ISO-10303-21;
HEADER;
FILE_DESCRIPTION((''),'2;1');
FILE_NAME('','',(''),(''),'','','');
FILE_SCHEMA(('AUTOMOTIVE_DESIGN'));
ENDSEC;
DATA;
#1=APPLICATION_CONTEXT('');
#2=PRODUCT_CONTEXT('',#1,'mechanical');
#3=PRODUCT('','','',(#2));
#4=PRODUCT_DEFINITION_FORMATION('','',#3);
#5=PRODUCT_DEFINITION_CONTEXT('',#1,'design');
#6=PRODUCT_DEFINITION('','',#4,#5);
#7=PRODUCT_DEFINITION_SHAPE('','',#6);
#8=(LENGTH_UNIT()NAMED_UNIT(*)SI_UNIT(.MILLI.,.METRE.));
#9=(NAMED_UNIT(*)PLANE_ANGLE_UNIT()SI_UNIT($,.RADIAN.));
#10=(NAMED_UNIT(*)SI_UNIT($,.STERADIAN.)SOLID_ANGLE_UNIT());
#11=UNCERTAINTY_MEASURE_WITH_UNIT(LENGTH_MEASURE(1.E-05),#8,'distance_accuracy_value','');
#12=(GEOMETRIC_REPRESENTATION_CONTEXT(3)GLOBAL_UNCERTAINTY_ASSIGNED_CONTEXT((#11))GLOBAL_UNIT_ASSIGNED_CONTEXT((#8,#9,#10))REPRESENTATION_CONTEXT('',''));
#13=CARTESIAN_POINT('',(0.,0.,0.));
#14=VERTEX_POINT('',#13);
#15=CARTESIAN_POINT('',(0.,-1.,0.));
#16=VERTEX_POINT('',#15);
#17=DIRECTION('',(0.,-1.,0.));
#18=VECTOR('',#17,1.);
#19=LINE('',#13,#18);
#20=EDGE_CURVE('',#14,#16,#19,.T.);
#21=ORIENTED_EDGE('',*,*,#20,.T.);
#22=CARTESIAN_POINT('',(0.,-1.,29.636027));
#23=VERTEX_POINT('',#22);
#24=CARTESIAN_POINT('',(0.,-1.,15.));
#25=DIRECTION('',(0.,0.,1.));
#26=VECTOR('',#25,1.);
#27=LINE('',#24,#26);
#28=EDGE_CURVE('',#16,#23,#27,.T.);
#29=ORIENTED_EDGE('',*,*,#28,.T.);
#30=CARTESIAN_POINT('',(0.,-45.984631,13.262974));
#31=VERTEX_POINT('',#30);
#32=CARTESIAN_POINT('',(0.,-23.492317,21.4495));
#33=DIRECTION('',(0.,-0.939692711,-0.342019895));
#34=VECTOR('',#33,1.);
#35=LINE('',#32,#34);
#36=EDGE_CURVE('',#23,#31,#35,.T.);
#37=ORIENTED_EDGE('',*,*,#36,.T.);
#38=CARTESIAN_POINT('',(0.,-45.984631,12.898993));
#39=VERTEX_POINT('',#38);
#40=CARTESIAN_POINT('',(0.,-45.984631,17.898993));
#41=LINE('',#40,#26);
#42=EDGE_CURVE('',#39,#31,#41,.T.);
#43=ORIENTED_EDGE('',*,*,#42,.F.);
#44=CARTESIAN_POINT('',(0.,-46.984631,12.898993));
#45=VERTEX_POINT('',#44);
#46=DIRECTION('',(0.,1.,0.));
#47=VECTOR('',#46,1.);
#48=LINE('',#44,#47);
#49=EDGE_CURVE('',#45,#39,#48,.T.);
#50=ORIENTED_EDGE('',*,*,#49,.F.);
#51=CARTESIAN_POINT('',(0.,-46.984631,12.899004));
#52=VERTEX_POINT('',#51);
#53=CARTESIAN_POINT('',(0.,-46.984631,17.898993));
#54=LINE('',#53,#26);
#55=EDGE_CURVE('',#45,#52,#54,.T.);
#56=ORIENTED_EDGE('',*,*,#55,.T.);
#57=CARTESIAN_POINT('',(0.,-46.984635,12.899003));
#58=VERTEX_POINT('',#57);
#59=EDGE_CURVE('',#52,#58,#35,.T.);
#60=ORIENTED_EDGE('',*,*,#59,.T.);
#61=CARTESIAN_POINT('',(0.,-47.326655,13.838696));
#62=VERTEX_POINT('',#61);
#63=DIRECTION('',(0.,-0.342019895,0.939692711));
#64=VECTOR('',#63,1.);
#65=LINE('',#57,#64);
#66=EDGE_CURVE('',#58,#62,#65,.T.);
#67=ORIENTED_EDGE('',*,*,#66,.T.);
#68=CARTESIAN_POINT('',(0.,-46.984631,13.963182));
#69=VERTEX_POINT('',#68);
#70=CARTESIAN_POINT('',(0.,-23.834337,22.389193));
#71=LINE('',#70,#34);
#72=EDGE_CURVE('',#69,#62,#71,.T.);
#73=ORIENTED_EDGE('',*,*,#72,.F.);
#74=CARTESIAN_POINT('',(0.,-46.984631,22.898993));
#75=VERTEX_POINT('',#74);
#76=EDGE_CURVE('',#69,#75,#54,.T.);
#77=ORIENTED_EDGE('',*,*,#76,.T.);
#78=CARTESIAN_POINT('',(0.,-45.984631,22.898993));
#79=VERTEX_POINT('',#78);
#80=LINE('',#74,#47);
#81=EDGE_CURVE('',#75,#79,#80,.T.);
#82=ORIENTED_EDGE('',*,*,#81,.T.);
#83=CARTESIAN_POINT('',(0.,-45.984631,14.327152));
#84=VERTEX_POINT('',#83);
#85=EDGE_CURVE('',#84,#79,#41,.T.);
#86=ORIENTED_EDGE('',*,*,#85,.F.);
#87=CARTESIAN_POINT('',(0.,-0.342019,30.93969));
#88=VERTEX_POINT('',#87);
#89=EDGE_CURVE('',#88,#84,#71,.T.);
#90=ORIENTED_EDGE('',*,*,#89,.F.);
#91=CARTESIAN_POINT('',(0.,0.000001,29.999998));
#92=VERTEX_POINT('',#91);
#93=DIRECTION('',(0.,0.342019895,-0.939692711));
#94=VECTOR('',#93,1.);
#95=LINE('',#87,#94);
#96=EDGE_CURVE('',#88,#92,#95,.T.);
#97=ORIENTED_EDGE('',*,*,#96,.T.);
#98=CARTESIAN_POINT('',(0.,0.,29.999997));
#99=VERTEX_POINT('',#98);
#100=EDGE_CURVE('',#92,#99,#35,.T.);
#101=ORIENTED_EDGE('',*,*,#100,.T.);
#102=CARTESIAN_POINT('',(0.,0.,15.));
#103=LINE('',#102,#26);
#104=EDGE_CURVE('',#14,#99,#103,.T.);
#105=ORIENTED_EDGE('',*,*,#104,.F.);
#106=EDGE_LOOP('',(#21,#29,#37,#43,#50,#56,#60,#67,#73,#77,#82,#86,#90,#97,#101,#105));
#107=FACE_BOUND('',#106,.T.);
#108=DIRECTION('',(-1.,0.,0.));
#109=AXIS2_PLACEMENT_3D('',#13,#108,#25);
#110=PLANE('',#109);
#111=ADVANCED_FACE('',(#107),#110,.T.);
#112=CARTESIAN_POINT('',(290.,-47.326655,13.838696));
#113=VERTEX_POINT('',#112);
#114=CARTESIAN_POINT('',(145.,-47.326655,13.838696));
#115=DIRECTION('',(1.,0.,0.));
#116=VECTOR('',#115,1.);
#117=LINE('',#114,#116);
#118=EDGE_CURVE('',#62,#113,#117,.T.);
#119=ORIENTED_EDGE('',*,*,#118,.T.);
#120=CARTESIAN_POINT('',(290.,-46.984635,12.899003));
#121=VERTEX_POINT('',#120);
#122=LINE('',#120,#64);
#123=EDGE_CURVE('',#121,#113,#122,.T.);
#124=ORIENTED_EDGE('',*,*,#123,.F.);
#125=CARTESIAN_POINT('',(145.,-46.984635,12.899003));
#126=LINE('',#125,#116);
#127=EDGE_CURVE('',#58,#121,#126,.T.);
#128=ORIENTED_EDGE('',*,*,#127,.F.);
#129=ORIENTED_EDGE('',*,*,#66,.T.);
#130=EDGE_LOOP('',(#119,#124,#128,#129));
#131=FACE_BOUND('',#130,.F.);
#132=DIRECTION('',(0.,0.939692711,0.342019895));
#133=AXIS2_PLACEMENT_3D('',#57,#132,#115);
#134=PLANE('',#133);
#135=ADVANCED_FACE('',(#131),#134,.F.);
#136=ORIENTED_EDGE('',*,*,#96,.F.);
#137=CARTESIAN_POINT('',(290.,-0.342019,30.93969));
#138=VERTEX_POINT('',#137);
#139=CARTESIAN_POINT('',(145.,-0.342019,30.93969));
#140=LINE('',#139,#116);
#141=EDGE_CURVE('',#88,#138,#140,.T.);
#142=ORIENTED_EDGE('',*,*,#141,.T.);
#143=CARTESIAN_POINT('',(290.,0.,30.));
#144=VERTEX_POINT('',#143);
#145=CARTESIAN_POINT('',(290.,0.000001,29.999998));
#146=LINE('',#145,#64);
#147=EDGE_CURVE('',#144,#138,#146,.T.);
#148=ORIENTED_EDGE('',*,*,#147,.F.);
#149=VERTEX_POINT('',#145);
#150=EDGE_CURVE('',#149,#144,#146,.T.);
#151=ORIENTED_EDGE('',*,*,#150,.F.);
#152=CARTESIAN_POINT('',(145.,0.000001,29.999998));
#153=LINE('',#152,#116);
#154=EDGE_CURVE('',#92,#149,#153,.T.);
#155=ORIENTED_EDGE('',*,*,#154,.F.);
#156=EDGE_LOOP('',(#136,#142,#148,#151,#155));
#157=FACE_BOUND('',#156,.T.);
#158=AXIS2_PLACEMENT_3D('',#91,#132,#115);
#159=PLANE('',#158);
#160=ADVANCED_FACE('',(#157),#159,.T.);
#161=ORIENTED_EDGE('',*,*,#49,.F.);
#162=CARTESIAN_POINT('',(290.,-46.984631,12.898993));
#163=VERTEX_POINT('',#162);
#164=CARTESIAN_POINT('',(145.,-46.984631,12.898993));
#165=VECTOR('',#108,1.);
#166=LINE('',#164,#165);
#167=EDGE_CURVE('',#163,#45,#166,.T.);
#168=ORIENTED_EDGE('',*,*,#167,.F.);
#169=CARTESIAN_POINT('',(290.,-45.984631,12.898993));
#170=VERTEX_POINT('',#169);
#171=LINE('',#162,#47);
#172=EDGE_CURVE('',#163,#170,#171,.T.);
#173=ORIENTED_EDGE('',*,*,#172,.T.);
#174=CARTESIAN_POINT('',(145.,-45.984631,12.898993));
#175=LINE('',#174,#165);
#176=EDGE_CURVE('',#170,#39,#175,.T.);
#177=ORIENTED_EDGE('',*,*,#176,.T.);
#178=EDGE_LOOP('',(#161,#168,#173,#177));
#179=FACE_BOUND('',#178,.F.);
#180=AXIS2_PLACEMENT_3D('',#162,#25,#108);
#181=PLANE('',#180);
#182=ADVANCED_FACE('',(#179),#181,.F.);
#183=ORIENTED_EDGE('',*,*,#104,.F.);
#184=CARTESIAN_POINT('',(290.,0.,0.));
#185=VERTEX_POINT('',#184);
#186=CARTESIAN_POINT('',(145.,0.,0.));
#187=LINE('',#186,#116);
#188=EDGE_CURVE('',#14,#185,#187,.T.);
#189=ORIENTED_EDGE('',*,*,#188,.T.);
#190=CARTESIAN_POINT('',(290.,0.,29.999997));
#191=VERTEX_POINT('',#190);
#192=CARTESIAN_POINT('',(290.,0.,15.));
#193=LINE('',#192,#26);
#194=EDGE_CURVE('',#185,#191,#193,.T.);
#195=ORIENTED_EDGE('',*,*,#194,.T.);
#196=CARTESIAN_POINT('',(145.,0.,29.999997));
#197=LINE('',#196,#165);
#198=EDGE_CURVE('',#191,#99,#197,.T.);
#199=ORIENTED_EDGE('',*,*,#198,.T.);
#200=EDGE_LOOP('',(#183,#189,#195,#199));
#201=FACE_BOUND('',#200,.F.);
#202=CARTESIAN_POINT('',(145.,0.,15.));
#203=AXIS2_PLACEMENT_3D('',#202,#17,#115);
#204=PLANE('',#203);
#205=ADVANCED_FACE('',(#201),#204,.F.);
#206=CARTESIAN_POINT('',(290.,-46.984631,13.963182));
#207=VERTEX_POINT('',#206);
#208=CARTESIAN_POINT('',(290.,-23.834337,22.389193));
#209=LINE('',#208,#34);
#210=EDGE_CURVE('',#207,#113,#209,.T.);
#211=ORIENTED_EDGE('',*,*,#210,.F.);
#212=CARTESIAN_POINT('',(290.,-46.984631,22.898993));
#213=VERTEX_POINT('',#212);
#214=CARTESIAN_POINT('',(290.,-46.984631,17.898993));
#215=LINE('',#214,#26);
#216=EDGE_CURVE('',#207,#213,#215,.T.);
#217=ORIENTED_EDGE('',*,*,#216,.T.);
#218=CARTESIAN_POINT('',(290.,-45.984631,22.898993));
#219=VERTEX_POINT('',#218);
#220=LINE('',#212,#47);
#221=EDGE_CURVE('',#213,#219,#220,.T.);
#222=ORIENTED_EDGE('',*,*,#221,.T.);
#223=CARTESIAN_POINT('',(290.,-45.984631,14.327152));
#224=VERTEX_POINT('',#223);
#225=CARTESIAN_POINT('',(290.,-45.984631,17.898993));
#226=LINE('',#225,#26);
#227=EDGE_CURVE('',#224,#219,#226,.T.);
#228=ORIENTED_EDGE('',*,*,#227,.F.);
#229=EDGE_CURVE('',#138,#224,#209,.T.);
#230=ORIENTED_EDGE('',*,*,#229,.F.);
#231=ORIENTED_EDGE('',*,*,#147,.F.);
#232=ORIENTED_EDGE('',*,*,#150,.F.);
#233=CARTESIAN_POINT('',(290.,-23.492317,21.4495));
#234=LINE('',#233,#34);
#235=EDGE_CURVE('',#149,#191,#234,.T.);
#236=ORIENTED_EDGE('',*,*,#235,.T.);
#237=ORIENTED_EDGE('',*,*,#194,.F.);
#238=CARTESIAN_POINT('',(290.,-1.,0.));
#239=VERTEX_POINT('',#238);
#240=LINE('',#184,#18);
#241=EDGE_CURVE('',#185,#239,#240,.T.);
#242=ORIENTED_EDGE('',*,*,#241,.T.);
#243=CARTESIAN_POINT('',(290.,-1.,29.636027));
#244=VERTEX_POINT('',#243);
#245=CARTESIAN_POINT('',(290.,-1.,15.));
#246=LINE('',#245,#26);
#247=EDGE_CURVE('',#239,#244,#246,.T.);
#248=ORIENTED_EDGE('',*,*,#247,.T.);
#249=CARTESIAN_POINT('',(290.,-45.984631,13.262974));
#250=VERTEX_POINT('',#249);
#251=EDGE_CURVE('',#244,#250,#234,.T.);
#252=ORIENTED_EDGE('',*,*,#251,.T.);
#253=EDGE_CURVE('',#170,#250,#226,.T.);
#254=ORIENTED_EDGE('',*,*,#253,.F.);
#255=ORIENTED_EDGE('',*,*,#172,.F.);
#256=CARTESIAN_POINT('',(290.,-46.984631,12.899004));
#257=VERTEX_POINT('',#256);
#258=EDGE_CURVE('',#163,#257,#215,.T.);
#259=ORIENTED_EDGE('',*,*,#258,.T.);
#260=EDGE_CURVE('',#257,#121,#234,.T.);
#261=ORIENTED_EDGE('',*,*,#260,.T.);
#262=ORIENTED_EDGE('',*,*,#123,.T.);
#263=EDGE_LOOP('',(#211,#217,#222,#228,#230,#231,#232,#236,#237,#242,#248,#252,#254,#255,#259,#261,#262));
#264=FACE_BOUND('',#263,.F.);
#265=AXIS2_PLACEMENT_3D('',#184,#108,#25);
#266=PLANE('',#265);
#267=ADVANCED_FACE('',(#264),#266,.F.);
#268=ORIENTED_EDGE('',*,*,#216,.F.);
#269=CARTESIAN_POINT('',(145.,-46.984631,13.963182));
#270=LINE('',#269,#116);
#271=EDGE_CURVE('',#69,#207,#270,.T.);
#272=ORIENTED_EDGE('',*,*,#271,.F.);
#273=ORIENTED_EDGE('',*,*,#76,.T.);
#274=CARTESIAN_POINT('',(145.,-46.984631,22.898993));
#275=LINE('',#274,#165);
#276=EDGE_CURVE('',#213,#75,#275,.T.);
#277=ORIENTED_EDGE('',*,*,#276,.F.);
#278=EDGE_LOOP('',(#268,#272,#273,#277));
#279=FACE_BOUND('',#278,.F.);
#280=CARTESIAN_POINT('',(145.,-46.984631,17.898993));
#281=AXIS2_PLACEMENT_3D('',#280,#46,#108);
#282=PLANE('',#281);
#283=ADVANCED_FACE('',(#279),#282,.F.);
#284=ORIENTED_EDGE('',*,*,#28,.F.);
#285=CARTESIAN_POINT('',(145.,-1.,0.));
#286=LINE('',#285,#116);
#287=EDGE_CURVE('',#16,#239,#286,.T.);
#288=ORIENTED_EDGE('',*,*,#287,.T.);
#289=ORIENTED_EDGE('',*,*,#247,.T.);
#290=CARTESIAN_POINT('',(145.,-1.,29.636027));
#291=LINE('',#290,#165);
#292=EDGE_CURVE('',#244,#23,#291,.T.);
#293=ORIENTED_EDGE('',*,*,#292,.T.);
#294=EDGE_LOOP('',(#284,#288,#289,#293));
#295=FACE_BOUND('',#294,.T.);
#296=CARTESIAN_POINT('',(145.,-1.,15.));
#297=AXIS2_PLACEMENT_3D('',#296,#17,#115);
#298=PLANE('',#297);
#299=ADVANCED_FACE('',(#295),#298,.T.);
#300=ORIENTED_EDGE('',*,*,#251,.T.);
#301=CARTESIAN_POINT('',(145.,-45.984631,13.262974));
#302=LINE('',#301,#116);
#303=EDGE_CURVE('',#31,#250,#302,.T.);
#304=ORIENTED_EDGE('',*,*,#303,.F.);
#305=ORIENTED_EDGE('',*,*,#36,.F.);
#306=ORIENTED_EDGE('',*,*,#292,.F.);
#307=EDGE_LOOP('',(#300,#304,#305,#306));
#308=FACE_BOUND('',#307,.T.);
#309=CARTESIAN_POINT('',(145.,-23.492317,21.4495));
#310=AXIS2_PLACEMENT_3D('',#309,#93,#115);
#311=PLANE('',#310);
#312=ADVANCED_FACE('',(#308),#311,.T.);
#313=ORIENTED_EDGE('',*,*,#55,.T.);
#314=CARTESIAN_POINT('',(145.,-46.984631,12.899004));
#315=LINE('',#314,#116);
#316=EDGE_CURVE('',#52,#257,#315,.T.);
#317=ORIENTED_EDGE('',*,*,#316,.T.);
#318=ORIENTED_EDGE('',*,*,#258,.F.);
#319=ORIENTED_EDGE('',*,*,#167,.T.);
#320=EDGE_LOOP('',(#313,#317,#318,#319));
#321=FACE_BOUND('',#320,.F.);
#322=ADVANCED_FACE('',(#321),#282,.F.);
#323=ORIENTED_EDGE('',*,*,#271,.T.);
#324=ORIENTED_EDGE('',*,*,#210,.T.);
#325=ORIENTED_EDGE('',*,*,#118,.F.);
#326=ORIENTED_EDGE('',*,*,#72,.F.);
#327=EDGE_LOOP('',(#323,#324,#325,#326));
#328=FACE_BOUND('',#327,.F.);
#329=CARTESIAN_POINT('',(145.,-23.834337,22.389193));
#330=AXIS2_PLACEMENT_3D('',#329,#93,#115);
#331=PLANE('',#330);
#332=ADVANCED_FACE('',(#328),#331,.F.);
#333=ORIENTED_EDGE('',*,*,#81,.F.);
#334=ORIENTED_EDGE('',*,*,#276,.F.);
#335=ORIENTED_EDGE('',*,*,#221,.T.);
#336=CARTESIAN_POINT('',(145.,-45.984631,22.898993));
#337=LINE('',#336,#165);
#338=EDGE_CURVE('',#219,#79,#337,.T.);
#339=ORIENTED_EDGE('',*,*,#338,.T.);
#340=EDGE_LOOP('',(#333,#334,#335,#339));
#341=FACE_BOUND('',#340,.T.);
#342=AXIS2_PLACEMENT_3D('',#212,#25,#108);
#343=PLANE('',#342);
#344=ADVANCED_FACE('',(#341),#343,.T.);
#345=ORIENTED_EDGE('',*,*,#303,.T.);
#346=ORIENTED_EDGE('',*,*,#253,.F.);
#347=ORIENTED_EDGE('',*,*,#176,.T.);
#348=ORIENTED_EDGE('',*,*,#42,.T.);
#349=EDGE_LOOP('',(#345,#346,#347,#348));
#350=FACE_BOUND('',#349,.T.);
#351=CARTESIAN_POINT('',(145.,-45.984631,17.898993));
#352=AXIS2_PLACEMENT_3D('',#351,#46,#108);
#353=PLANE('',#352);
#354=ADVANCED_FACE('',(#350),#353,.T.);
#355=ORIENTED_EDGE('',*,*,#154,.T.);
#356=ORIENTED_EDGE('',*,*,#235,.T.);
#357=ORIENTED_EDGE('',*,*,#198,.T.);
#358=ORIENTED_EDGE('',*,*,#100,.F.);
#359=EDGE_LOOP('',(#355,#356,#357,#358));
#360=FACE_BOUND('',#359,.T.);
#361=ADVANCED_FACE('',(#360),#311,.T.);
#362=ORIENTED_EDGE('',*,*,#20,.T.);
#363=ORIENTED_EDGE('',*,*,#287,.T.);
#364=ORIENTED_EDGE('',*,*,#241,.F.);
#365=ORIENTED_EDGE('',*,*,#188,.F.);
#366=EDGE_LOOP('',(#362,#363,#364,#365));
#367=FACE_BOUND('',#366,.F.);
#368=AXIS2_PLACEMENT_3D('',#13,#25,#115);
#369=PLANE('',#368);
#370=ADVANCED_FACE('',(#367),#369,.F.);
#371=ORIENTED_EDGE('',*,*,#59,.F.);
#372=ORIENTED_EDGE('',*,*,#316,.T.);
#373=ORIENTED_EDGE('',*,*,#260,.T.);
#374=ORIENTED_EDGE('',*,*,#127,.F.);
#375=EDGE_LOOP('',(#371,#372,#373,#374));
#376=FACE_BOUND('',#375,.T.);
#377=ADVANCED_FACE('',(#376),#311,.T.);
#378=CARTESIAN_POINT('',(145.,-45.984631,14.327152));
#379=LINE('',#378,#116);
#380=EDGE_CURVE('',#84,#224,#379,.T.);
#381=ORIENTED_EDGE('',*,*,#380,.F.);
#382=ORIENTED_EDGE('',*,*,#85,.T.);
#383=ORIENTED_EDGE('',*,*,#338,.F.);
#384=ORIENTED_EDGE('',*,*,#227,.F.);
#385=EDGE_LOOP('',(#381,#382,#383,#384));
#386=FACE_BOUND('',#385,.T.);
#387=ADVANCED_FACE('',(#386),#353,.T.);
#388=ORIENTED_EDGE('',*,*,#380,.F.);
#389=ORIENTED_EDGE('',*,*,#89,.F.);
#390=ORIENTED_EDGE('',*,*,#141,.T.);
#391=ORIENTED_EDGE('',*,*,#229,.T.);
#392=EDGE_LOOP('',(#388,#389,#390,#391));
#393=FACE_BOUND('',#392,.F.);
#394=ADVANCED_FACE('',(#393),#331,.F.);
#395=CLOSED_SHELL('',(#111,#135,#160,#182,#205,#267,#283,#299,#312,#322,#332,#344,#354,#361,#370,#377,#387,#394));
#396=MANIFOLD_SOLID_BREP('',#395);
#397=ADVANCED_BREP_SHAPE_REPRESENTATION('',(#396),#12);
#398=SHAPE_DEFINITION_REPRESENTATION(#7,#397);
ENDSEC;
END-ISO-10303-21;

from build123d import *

# Parameters (mm, degrees)
F2_W     = 290
F2_H     = 50
F6_DEPTH = 1
F5_W     = 290
F5_H     = 10
F7_DEPTH = 1
F0_W     = 290
F0_H     = 30
F8_DEPTH = 1


with BuildPart() as f6:
    # F2 (on face) → F6 (new body)
    with BuildSketch(Plane(origin=(0, -9.641814, 26.490667), x_dir=(1, 0, 0), z_dir=(0, 0.34202, -0.939693))):
        with Locations((145, 14.739396)):
            Rectangle(F2_W, F2_H)
    extrude(amount=-F6_DEPTH)

    # F5 (on face) → F7 (join)
    with BuildSketch(Plane(origin=(0, -46.984631, 0), x_dir=(-1, 0, 0), z_dir=(0, 1, 0))):
        with Locations((-145, 17.898993)):
            Rectangle(F5_W, F5_H)
    extrude(amount=F7_DEPTH)

    # F0 (on Front) → F8 (join)
    with BuildSketch(Plane.XZ):
        with Locations((145, 15)):
            Rectangle(F0_W, F0_H)
    extrude(amount=F8_DEPTH)


solid = f6.part
